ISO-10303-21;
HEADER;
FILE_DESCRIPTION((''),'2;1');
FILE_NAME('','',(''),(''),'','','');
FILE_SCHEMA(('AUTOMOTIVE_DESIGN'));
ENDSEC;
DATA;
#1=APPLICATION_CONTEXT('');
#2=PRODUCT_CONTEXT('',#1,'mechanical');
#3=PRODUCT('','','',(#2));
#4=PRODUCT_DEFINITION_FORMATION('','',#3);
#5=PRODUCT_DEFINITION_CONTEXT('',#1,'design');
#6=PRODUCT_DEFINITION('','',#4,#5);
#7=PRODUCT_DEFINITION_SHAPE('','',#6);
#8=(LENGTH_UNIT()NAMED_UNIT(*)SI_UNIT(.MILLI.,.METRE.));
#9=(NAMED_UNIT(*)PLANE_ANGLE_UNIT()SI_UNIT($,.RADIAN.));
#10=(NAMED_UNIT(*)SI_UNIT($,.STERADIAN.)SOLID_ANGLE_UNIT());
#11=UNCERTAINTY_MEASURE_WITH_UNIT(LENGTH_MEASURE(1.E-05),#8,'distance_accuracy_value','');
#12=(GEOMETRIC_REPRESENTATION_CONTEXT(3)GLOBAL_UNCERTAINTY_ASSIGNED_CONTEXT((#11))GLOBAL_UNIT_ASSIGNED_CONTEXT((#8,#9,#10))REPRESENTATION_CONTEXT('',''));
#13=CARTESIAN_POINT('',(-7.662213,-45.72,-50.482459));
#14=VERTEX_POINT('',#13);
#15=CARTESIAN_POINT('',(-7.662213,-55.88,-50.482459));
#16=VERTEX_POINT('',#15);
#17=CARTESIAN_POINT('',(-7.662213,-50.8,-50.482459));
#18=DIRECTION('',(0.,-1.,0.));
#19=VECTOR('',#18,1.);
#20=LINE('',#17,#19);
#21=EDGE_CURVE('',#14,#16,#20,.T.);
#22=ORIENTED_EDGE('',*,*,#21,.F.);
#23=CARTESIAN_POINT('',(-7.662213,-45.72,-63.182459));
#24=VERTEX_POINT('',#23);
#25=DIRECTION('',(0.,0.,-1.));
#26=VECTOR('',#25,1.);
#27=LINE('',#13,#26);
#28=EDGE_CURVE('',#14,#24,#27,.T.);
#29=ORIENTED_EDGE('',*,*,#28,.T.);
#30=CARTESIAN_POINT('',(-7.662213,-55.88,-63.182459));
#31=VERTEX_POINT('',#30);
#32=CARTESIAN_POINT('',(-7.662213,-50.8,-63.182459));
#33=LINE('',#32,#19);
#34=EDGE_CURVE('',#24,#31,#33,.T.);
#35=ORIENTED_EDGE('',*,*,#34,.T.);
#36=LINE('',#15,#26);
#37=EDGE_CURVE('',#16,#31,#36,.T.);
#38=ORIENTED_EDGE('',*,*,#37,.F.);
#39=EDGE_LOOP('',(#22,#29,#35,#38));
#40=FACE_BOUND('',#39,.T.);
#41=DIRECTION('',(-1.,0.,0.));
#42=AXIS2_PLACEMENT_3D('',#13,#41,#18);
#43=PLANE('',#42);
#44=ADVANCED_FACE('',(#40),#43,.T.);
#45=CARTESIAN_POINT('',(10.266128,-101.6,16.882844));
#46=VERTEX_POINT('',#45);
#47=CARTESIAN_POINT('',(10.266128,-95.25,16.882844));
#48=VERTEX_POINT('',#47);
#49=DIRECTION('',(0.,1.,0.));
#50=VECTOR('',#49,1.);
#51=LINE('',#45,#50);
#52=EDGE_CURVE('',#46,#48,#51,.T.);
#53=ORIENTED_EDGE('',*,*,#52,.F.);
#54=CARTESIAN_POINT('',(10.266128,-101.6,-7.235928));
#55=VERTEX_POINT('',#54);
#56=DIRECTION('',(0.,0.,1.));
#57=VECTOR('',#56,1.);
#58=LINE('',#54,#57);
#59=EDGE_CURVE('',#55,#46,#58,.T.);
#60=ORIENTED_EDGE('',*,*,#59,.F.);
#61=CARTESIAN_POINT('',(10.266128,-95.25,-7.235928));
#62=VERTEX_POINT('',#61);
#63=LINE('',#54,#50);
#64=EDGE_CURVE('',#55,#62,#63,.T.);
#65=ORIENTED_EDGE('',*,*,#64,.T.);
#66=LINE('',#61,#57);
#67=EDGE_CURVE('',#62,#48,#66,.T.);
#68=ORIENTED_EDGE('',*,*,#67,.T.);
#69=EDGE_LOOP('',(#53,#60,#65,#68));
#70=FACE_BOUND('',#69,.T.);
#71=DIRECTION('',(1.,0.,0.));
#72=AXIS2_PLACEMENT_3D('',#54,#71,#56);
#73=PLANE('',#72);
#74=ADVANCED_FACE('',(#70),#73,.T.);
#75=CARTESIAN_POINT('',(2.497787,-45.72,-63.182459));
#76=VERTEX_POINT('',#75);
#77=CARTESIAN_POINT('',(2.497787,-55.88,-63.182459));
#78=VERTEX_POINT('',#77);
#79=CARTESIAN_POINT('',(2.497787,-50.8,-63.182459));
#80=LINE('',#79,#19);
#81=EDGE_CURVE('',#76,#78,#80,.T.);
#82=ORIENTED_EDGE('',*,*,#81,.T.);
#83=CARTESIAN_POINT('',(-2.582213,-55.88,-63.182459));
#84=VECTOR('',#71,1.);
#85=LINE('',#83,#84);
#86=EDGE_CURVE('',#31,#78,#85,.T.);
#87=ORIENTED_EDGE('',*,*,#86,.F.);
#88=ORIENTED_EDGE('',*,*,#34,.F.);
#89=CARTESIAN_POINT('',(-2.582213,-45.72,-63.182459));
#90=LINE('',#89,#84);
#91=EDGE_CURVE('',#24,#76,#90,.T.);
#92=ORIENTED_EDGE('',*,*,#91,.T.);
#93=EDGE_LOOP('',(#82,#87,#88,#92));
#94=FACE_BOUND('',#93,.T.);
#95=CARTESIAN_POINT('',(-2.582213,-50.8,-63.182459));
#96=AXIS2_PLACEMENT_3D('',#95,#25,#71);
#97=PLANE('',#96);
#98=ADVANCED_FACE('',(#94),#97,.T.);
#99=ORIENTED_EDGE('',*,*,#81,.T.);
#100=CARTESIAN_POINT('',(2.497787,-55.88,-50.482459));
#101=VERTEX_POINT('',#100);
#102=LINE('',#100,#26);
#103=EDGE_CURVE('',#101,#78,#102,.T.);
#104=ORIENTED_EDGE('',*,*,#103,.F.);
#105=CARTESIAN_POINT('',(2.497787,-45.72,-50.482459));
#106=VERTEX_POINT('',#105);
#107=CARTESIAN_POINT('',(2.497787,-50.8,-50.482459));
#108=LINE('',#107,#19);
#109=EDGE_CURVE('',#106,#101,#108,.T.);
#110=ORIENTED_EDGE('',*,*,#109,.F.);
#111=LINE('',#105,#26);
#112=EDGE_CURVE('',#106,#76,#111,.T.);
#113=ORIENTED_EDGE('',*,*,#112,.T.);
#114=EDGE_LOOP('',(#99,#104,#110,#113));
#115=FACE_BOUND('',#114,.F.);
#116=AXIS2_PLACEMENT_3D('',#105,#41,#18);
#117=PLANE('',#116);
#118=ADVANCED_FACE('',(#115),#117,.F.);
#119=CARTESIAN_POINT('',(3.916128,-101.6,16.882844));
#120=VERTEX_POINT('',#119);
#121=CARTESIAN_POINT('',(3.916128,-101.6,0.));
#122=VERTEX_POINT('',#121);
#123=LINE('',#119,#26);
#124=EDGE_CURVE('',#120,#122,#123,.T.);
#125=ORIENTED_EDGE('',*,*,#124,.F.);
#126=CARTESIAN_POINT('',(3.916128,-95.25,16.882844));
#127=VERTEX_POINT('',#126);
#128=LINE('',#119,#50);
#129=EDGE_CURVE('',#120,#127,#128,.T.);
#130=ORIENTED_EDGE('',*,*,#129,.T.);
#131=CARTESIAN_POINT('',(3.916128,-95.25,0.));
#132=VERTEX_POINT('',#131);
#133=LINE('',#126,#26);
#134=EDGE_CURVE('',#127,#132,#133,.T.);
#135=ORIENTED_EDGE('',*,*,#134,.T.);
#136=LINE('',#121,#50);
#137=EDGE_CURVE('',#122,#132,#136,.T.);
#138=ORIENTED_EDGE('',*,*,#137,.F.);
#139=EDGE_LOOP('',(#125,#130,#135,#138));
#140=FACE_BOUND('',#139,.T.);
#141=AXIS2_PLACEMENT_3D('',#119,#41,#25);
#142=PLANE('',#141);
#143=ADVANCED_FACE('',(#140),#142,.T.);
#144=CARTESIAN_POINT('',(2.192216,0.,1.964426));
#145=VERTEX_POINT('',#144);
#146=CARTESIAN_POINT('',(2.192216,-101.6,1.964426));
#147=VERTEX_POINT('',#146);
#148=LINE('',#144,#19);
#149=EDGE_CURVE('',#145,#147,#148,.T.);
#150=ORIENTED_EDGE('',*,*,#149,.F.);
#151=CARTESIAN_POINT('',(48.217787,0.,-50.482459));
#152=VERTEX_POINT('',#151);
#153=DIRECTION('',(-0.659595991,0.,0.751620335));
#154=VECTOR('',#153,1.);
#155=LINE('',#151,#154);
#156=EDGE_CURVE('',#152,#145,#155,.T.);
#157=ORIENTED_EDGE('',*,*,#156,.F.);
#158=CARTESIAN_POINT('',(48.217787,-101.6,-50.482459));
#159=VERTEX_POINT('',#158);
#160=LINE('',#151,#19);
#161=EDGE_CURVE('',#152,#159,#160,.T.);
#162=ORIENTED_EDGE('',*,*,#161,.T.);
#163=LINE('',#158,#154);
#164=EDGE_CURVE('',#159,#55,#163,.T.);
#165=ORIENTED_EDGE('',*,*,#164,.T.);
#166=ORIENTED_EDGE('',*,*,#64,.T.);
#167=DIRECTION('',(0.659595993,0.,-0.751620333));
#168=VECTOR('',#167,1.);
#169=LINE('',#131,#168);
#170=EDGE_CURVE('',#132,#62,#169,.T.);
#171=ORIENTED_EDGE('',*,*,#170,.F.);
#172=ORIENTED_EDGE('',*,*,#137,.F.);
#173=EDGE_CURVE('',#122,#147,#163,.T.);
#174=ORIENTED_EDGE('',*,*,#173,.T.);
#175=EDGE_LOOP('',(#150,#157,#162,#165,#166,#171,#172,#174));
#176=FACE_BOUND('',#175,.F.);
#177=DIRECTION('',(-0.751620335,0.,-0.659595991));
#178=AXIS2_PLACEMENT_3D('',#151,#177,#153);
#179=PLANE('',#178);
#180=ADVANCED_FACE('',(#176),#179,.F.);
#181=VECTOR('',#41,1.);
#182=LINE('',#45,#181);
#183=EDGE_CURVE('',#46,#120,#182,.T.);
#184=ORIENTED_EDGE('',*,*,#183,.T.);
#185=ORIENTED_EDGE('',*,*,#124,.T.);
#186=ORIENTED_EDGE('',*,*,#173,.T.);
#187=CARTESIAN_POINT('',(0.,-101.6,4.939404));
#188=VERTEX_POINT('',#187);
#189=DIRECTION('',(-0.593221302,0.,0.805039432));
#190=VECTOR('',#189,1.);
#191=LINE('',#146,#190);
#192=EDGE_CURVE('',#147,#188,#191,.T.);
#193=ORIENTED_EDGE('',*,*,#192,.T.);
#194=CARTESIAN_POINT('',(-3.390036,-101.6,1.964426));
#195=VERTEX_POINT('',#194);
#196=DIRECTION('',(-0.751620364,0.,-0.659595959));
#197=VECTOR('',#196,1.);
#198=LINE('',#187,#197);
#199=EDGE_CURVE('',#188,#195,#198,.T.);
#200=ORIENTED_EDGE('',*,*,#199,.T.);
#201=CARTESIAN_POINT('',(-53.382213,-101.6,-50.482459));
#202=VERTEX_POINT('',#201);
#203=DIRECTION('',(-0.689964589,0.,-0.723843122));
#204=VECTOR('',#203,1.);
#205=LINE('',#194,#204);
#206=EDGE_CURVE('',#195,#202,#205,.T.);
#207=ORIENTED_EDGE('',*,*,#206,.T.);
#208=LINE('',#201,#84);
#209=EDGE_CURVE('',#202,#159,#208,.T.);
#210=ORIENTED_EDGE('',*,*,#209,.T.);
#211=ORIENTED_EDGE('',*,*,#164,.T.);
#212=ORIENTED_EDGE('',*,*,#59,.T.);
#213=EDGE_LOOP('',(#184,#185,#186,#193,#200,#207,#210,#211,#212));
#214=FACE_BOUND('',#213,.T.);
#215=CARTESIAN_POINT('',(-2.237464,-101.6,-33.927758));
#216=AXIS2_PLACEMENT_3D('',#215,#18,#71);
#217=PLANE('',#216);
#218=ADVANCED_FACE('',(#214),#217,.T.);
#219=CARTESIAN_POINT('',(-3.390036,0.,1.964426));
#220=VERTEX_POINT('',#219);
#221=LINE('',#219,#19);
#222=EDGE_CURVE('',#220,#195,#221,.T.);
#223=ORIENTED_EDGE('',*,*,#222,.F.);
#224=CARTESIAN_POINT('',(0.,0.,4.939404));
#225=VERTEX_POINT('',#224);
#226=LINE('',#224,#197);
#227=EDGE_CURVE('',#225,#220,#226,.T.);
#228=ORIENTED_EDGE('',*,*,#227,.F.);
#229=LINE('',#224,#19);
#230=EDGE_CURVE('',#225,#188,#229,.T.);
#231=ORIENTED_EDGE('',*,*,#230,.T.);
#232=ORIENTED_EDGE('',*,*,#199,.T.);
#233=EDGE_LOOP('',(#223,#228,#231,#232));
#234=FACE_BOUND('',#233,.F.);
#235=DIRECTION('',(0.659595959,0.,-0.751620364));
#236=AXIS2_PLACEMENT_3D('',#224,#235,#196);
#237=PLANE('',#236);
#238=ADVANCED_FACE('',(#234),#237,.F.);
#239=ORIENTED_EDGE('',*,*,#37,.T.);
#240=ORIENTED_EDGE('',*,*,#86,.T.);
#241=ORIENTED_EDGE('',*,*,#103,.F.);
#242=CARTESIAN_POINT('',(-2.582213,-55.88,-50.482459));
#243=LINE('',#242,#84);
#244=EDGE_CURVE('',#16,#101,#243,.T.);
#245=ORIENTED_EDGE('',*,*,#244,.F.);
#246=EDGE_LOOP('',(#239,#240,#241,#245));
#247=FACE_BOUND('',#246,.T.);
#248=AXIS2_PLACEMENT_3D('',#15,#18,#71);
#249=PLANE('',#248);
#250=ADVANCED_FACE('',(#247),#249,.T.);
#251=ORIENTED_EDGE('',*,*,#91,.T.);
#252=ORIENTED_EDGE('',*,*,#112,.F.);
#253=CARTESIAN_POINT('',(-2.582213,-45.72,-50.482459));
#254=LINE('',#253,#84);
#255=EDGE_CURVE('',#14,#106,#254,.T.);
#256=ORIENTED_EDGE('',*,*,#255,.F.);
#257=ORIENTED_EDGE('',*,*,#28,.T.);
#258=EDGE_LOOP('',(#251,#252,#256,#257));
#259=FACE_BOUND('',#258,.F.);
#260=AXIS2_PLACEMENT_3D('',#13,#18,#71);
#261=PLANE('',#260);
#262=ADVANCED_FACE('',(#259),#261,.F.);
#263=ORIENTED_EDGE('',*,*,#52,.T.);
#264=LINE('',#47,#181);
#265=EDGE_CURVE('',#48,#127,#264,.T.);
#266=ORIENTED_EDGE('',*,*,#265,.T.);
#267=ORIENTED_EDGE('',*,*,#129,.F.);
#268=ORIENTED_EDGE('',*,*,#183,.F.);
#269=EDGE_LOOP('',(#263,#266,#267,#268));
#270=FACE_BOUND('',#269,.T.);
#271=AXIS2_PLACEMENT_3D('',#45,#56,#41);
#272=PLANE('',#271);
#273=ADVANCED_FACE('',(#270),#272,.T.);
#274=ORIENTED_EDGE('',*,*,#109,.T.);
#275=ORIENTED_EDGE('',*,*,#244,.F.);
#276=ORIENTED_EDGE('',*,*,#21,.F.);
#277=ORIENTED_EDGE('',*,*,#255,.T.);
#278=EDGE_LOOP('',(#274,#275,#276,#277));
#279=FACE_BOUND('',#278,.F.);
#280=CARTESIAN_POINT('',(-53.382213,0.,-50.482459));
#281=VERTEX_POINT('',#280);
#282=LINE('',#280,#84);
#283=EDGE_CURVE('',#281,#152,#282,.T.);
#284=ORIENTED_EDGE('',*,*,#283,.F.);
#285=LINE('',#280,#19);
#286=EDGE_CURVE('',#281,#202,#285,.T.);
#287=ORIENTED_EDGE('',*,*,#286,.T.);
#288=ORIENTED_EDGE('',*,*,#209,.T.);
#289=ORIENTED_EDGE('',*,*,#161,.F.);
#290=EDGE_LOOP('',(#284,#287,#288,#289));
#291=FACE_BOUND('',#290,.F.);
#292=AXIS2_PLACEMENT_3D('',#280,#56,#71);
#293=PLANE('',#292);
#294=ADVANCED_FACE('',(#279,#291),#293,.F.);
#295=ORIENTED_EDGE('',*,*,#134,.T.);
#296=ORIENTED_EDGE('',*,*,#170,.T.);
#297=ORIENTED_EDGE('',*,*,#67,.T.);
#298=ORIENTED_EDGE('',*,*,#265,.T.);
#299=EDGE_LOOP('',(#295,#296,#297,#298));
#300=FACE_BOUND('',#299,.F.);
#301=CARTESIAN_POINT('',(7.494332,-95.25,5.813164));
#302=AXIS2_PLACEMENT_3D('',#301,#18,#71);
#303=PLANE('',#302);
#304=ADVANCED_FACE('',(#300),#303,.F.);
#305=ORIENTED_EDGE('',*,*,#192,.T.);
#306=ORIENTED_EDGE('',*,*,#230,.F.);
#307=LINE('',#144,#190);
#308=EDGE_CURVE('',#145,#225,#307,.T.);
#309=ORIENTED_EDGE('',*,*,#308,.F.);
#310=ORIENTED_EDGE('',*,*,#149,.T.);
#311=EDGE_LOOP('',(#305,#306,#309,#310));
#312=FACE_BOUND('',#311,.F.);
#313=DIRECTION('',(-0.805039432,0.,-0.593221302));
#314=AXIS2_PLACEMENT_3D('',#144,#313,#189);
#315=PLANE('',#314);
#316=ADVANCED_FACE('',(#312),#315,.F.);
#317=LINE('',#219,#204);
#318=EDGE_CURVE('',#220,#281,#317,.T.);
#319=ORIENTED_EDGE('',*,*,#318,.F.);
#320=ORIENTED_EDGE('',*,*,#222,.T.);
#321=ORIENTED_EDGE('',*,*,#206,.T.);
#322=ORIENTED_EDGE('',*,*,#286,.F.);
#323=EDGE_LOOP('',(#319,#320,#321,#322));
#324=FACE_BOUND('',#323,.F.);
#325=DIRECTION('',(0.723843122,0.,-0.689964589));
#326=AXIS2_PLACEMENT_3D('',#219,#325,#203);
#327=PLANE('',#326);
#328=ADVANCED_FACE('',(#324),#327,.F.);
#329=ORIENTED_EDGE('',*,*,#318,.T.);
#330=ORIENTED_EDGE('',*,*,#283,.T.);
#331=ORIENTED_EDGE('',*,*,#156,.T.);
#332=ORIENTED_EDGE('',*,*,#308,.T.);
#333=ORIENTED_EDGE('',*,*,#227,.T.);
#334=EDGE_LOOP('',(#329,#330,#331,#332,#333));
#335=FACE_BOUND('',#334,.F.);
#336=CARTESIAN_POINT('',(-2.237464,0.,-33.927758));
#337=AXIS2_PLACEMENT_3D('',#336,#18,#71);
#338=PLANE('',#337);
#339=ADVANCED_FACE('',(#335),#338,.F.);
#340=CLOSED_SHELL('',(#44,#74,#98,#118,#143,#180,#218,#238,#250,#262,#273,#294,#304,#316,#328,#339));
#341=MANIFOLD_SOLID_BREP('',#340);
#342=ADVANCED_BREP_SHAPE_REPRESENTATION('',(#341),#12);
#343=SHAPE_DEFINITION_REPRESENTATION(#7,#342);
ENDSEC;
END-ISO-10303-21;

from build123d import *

# Parameters (mm, degrees)
F1_DEPTH = 101.6
F3_DEPTH = 6.35
F4_W     = 10.16
F4_H     = 10.16
F5_DEPTH = 12.7
F6_W     = 10.16
F6_H     = 10.16
F7_DEPTH = 12.7


with BuildPart() as f1:
    # F0 (on Front) → F1 (new body)
    with BuildSketch(Plane.XZ):
        Polygon((-3.390036, 1.964426), (-53.382213, -50.482459), (48.217787, -50.482459), (2.192216, 1.964426), (0, 4.939404), align=None)
    extrude(amount=F1_DEPTH)

    # F2 (on face) → F3 (join)
    with BuildSketch(Plane.XZ.offset(101.6)):
        Polygon((3.916128, 16.882844), (3.916128, 0), (10.266128, -7.235928), (10.266128, 16.882844), align=None)
    extrude(amount=-F3_DEPTH)

    # F4 (on face) → F5 (join)
    with BuildSketch(Plane(origin=(0, 0, -50.482459), x_dir=(1, 0, 0), z_dir=(0, 0, -1))):
        with Locations((-2.582213, 50.8)):
            Rectangle(F4_W, F4_H)
    extrude(amount=-F5_DEPTH)

    # F6 (on face) → F7 (join)
    with BuildSketch(Plane(origin=(0, 0, -50.482459), x_dir=(1, 0, 0), z_dir=(0, 0, -1))):
        with Locations((-2.582213, 50.8)):
            Rectangle(F6_W, F6_H)
    extrude(amount=F7_DEPTH)


solid = f1.part
